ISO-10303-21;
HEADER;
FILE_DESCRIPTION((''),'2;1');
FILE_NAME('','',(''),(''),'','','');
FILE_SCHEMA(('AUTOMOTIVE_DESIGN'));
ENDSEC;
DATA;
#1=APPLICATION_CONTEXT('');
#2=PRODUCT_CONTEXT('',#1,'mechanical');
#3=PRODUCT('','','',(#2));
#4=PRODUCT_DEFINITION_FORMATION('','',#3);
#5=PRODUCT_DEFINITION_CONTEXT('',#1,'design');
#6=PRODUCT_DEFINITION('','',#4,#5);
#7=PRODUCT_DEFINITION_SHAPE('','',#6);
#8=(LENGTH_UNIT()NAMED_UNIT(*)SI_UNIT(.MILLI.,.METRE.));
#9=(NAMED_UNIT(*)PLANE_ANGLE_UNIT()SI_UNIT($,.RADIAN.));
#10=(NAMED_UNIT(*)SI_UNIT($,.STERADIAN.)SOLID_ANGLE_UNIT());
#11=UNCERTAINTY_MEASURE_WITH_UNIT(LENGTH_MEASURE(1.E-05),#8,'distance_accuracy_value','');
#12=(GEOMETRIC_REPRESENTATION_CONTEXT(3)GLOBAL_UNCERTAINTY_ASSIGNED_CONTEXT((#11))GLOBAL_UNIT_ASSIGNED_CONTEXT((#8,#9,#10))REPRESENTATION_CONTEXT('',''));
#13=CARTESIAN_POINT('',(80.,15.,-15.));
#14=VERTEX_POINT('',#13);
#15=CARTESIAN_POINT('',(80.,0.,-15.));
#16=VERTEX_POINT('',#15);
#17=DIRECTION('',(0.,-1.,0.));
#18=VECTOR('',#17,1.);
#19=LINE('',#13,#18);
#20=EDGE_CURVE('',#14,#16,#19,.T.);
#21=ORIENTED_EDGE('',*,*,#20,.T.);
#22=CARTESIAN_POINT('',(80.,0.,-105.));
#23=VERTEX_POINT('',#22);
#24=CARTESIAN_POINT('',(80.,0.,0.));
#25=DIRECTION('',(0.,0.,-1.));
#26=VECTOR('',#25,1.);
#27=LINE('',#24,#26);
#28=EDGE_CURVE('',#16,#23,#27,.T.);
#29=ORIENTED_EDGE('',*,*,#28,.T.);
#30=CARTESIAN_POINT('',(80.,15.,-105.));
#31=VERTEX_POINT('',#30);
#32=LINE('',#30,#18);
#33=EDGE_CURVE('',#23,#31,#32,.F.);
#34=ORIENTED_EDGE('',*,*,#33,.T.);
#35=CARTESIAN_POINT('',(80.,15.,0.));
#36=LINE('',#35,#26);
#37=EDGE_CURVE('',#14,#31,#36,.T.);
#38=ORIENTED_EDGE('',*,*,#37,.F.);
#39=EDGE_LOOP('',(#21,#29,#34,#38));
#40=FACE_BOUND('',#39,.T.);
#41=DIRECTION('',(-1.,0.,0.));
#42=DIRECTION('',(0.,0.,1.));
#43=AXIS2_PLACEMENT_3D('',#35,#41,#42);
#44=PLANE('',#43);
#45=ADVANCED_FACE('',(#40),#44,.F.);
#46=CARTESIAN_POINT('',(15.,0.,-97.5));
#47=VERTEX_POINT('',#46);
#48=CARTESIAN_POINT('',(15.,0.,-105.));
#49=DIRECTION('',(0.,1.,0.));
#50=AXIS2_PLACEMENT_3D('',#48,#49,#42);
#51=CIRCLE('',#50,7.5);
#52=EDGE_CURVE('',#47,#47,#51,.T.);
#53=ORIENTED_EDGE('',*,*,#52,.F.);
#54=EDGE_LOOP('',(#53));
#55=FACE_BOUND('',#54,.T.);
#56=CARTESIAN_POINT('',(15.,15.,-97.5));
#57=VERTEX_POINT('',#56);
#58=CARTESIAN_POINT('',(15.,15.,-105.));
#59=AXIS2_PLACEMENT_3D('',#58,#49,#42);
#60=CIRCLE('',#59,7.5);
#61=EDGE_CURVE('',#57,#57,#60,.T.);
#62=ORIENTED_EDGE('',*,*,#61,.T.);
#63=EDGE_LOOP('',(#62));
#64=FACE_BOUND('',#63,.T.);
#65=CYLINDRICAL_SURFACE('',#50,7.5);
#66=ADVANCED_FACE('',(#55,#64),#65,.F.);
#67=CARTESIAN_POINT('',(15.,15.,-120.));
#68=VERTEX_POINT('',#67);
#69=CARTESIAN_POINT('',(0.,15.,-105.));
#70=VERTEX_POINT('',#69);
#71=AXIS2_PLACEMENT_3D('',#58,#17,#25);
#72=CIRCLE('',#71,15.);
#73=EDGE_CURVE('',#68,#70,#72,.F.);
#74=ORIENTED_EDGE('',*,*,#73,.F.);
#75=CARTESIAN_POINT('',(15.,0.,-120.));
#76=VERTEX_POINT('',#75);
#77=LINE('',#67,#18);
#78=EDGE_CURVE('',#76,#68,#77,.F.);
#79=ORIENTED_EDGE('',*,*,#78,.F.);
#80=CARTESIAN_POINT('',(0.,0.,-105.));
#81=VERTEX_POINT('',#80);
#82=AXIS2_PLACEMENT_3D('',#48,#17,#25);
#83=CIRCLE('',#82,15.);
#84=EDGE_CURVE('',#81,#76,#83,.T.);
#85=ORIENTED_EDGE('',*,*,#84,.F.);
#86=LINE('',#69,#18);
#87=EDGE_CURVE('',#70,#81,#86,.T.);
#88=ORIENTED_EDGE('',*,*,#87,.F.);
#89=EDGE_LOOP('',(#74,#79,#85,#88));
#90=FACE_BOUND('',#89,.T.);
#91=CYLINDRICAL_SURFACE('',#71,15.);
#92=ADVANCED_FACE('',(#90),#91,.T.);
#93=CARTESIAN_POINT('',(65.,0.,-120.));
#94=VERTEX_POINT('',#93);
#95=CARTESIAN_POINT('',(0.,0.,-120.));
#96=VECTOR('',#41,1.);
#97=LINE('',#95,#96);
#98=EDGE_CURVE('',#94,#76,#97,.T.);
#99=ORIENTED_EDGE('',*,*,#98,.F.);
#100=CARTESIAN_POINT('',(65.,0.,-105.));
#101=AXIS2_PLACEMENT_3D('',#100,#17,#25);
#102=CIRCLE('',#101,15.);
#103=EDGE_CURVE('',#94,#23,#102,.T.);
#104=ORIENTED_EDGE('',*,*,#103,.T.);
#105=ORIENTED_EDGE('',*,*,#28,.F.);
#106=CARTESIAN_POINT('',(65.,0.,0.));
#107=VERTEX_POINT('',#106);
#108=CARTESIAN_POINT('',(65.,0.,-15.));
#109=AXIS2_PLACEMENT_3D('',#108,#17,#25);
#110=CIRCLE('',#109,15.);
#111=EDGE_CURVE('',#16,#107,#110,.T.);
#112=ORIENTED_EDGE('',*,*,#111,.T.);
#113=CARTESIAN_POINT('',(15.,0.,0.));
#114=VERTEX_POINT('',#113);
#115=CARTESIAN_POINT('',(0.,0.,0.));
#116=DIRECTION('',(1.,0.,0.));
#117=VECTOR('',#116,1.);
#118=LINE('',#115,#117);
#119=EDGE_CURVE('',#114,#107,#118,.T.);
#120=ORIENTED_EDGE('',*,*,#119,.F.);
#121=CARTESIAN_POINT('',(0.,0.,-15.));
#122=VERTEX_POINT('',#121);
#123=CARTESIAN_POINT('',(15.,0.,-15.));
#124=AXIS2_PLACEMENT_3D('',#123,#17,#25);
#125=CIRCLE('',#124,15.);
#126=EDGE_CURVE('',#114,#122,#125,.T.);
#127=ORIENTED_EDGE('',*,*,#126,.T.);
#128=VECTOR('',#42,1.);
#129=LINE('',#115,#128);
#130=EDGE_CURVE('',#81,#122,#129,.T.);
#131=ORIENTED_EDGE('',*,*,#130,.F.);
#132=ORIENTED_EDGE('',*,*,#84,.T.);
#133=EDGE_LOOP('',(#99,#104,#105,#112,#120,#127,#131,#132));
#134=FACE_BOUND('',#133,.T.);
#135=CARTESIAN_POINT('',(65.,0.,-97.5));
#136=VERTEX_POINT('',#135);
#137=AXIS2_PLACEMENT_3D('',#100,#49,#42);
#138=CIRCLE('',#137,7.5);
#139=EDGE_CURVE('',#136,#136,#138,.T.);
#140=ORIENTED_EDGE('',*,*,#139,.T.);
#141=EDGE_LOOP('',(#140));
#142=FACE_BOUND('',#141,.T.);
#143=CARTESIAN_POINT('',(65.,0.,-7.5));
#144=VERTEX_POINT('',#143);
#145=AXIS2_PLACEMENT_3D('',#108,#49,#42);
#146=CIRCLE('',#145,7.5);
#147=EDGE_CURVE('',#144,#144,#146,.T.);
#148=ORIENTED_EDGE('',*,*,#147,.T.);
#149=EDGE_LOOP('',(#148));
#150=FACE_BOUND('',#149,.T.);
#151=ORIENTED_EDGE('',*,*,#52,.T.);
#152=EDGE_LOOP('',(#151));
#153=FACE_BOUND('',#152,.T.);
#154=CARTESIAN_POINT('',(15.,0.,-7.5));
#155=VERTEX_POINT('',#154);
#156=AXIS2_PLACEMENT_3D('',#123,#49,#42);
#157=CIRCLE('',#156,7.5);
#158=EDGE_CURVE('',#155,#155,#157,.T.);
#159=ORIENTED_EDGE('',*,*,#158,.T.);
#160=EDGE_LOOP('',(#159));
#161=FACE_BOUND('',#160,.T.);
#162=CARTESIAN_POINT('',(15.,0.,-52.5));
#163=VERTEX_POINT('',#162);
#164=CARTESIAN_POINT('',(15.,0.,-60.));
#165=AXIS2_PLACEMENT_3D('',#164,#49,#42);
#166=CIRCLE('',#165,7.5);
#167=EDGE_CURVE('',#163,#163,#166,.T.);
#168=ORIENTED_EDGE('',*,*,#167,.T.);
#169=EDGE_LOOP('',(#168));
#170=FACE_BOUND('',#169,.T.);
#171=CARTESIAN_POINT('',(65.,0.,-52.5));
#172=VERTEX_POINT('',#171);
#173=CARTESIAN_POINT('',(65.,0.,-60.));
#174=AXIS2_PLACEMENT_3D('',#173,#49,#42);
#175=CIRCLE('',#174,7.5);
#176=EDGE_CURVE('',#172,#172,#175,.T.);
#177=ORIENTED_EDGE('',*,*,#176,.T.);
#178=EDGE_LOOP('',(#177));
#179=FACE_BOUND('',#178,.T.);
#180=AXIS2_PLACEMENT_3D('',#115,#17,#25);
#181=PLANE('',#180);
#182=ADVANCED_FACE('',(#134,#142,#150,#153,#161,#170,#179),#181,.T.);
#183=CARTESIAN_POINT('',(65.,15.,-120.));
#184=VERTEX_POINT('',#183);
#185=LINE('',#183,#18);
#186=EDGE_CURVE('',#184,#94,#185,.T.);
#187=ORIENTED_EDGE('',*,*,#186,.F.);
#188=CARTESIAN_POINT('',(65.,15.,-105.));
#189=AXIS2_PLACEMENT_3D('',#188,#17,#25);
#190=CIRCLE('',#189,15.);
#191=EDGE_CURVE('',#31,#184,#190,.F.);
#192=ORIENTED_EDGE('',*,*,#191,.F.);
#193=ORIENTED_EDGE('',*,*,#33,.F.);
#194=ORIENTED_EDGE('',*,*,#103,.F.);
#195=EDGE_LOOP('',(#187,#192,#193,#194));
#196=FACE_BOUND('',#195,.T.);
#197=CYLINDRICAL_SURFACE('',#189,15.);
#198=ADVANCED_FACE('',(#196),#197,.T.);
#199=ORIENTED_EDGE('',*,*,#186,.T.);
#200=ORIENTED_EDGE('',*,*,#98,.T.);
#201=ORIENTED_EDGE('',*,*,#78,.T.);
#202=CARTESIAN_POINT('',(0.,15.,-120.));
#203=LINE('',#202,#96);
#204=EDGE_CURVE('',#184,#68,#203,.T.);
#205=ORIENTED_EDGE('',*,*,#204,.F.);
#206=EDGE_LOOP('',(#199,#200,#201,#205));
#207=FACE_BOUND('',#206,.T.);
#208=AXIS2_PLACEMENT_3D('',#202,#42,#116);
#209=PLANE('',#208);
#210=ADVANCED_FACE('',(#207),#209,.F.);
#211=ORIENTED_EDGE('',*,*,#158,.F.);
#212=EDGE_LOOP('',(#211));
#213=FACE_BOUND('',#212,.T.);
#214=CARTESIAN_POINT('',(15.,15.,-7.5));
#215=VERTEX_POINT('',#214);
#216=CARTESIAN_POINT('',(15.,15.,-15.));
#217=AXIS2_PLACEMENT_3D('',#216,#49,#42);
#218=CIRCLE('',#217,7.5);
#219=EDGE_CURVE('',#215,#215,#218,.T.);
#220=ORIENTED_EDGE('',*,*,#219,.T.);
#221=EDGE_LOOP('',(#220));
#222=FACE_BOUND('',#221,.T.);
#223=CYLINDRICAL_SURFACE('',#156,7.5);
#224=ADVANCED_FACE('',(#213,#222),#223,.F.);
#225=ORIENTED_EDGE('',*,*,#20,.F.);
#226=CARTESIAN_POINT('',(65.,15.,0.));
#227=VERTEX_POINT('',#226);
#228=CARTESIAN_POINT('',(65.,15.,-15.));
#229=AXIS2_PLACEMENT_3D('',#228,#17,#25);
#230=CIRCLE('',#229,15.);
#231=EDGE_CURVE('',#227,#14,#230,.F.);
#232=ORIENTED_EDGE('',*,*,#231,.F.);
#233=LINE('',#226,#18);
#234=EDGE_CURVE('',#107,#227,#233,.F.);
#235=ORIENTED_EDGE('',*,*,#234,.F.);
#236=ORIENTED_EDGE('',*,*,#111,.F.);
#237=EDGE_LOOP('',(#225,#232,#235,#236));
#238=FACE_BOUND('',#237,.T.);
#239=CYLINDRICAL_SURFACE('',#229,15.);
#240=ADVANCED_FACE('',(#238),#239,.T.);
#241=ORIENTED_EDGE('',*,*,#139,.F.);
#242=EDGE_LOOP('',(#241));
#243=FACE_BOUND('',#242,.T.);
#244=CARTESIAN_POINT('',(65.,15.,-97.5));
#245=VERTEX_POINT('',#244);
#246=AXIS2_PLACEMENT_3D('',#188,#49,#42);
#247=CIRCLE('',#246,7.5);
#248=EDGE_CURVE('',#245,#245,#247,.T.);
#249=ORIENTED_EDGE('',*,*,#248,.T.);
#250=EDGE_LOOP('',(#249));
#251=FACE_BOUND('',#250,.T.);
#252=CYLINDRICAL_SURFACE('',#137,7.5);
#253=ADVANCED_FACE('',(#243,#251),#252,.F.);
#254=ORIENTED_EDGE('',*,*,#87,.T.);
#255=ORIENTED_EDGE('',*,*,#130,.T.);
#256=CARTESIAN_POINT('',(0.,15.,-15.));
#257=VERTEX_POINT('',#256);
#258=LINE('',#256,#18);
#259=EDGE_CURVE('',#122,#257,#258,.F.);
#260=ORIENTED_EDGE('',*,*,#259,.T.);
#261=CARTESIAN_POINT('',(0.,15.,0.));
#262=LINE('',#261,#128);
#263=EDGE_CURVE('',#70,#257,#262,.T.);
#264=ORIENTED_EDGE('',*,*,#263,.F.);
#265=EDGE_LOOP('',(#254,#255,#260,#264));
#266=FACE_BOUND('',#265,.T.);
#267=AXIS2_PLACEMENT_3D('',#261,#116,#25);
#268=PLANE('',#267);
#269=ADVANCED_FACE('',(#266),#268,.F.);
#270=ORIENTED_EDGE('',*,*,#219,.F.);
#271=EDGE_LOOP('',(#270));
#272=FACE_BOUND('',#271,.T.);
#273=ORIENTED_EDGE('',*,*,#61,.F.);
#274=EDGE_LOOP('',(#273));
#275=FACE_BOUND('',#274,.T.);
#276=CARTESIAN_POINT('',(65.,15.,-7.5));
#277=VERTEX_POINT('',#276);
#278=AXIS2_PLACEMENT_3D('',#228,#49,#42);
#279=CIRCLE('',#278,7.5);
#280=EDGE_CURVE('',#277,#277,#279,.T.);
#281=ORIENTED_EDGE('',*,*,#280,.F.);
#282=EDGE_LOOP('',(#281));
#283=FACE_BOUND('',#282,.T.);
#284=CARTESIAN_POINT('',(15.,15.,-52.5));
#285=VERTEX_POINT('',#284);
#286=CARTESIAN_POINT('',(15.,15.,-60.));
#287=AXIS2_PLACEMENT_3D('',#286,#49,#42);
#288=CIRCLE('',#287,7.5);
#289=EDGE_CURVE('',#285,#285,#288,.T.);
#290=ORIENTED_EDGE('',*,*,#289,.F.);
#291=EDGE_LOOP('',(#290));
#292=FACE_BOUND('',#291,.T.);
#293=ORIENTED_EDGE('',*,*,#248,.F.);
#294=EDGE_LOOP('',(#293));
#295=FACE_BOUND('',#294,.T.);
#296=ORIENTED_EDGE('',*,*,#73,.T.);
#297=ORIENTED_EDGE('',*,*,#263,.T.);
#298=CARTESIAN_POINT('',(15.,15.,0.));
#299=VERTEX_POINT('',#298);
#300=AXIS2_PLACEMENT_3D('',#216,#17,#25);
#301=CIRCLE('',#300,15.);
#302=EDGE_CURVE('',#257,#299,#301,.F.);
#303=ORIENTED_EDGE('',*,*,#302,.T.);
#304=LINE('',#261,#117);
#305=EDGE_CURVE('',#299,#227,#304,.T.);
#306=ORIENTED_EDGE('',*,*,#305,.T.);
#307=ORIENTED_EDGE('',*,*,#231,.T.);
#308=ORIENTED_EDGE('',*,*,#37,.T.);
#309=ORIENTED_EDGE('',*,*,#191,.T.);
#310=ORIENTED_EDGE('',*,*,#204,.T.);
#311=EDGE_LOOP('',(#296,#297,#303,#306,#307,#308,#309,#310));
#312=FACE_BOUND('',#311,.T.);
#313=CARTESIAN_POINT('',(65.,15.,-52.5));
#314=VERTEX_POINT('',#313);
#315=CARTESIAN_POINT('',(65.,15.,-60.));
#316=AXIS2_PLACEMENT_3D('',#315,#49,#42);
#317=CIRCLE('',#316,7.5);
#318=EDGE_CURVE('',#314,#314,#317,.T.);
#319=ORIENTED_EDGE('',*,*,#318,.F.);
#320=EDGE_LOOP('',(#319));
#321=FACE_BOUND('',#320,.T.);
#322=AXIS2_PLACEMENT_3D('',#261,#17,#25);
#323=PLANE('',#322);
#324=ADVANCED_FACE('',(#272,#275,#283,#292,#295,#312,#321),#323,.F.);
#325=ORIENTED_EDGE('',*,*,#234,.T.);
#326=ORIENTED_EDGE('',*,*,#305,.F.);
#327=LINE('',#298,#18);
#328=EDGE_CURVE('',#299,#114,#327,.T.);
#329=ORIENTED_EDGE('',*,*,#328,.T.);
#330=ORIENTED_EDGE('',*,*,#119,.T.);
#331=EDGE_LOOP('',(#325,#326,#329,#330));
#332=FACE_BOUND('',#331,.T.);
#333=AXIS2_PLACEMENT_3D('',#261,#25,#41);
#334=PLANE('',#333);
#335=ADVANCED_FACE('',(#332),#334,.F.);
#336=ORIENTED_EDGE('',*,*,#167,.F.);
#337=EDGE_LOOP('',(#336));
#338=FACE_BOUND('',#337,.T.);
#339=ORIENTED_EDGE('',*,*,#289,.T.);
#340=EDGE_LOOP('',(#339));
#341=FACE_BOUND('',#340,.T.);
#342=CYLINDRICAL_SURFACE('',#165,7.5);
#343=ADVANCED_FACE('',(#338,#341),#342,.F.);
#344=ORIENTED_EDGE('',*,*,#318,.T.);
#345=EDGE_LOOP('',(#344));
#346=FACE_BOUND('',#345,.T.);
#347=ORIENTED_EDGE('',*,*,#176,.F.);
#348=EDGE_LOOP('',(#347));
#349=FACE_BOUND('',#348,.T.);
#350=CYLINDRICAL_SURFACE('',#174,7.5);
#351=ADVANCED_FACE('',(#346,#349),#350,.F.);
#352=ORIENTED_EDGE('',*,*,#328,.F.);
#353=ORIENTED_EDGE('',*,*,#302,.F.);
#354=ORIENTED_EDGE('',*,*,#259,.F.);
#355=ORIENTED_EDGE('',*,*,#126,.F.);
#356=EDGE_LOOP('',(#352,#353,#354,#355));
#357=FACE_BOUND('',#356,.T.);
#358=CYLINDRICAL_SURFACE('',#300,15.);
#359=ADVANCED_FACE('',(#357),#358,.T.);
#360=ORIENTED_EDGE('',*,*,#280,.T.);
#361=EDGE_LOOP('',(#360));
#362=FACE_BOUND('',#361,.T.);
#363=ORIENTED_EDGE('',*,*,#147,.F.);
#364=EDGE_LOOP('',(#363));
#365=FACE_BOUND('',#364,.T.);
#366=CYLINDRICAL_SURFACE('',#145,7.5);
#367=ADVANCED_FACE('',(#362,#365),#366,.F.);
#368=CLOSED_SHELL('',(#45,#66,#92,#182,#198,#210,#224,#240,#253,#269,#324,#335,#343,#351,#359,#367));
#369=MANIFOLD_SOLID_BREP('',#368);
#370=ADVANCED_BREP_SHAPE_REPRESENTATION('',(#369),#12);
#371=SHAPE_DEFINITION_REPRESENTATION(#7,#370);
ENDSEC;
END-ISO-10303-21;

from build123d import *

# Parameters (mm, degrees)
ESBO_O1_W                = 80
ESBO_O1_H                = 120
RESSALTO_EXTRUS_O1_DEPTH = 15
FILETE1_R                = 15
ESBO_O2_R                = 7.5
CORTE_EXTRUS_O1_DEPTH    = 146


with BuildPart() as part:
    # Esboço1 → Ressalto-extrusão1 (new body)
    with BuildSketch(Plane(origin=(0, 0, 0), x_dir=(1, 0, 0), z_dir=(0, 1, 0))):
        with Locations((40, 60)):
            Rectangle(ESBO_O1_W, ESBO_O1_H)
    extrude(amount=RESSALTO_EXTRUS_O1_DEPTH)

    # Filete1
    filete1_edges = [part.edges().sort_by_distance(p)[0] for p in [
        (0, 7.5, -120),
        (80, 7.5, -120),
        (80, 7.5, 0),
        (0, 7.5, 0),
    ]]
    fillet(filete1_edges, radius=FILETE1_R)

    # Esboço2 → Corte-extrusão1 (cut, through all)
    with BuildSketch(Plane(origin=(0, 15, 0), x_dir=(1, 0, 0), z_dir=(0, 1, 0))):
        with Locations(Location((15, 105, 0), (0, 0, 270))):
            Circle(ESBO_O2_R)
        with Locations(Location((65, 105, 0), (0, 0, 270))):
            Circle(ESBO_O2_R)
        with Locations(Location((65, 60, 0), (0, 0, 270))):
            Circle(ESBO_O2_R)
        with Locations(Location((65, 15, 0), (0, 0, 270))):
            Circle(ESBO_O2_R)
        with Locations(Location((15, 60, 0), (0, 0, 270))):
            Circle(ESBO_O2_R)
        with Locations(Location((15, 15, 0), (0, 0, 270))):
            Circle(ESBO_O2_R)
    extrude(amount=-CORTE_EXTRUS_O1_DEPTH, mode=Mode.SUBTRACT)


solid = part.part
